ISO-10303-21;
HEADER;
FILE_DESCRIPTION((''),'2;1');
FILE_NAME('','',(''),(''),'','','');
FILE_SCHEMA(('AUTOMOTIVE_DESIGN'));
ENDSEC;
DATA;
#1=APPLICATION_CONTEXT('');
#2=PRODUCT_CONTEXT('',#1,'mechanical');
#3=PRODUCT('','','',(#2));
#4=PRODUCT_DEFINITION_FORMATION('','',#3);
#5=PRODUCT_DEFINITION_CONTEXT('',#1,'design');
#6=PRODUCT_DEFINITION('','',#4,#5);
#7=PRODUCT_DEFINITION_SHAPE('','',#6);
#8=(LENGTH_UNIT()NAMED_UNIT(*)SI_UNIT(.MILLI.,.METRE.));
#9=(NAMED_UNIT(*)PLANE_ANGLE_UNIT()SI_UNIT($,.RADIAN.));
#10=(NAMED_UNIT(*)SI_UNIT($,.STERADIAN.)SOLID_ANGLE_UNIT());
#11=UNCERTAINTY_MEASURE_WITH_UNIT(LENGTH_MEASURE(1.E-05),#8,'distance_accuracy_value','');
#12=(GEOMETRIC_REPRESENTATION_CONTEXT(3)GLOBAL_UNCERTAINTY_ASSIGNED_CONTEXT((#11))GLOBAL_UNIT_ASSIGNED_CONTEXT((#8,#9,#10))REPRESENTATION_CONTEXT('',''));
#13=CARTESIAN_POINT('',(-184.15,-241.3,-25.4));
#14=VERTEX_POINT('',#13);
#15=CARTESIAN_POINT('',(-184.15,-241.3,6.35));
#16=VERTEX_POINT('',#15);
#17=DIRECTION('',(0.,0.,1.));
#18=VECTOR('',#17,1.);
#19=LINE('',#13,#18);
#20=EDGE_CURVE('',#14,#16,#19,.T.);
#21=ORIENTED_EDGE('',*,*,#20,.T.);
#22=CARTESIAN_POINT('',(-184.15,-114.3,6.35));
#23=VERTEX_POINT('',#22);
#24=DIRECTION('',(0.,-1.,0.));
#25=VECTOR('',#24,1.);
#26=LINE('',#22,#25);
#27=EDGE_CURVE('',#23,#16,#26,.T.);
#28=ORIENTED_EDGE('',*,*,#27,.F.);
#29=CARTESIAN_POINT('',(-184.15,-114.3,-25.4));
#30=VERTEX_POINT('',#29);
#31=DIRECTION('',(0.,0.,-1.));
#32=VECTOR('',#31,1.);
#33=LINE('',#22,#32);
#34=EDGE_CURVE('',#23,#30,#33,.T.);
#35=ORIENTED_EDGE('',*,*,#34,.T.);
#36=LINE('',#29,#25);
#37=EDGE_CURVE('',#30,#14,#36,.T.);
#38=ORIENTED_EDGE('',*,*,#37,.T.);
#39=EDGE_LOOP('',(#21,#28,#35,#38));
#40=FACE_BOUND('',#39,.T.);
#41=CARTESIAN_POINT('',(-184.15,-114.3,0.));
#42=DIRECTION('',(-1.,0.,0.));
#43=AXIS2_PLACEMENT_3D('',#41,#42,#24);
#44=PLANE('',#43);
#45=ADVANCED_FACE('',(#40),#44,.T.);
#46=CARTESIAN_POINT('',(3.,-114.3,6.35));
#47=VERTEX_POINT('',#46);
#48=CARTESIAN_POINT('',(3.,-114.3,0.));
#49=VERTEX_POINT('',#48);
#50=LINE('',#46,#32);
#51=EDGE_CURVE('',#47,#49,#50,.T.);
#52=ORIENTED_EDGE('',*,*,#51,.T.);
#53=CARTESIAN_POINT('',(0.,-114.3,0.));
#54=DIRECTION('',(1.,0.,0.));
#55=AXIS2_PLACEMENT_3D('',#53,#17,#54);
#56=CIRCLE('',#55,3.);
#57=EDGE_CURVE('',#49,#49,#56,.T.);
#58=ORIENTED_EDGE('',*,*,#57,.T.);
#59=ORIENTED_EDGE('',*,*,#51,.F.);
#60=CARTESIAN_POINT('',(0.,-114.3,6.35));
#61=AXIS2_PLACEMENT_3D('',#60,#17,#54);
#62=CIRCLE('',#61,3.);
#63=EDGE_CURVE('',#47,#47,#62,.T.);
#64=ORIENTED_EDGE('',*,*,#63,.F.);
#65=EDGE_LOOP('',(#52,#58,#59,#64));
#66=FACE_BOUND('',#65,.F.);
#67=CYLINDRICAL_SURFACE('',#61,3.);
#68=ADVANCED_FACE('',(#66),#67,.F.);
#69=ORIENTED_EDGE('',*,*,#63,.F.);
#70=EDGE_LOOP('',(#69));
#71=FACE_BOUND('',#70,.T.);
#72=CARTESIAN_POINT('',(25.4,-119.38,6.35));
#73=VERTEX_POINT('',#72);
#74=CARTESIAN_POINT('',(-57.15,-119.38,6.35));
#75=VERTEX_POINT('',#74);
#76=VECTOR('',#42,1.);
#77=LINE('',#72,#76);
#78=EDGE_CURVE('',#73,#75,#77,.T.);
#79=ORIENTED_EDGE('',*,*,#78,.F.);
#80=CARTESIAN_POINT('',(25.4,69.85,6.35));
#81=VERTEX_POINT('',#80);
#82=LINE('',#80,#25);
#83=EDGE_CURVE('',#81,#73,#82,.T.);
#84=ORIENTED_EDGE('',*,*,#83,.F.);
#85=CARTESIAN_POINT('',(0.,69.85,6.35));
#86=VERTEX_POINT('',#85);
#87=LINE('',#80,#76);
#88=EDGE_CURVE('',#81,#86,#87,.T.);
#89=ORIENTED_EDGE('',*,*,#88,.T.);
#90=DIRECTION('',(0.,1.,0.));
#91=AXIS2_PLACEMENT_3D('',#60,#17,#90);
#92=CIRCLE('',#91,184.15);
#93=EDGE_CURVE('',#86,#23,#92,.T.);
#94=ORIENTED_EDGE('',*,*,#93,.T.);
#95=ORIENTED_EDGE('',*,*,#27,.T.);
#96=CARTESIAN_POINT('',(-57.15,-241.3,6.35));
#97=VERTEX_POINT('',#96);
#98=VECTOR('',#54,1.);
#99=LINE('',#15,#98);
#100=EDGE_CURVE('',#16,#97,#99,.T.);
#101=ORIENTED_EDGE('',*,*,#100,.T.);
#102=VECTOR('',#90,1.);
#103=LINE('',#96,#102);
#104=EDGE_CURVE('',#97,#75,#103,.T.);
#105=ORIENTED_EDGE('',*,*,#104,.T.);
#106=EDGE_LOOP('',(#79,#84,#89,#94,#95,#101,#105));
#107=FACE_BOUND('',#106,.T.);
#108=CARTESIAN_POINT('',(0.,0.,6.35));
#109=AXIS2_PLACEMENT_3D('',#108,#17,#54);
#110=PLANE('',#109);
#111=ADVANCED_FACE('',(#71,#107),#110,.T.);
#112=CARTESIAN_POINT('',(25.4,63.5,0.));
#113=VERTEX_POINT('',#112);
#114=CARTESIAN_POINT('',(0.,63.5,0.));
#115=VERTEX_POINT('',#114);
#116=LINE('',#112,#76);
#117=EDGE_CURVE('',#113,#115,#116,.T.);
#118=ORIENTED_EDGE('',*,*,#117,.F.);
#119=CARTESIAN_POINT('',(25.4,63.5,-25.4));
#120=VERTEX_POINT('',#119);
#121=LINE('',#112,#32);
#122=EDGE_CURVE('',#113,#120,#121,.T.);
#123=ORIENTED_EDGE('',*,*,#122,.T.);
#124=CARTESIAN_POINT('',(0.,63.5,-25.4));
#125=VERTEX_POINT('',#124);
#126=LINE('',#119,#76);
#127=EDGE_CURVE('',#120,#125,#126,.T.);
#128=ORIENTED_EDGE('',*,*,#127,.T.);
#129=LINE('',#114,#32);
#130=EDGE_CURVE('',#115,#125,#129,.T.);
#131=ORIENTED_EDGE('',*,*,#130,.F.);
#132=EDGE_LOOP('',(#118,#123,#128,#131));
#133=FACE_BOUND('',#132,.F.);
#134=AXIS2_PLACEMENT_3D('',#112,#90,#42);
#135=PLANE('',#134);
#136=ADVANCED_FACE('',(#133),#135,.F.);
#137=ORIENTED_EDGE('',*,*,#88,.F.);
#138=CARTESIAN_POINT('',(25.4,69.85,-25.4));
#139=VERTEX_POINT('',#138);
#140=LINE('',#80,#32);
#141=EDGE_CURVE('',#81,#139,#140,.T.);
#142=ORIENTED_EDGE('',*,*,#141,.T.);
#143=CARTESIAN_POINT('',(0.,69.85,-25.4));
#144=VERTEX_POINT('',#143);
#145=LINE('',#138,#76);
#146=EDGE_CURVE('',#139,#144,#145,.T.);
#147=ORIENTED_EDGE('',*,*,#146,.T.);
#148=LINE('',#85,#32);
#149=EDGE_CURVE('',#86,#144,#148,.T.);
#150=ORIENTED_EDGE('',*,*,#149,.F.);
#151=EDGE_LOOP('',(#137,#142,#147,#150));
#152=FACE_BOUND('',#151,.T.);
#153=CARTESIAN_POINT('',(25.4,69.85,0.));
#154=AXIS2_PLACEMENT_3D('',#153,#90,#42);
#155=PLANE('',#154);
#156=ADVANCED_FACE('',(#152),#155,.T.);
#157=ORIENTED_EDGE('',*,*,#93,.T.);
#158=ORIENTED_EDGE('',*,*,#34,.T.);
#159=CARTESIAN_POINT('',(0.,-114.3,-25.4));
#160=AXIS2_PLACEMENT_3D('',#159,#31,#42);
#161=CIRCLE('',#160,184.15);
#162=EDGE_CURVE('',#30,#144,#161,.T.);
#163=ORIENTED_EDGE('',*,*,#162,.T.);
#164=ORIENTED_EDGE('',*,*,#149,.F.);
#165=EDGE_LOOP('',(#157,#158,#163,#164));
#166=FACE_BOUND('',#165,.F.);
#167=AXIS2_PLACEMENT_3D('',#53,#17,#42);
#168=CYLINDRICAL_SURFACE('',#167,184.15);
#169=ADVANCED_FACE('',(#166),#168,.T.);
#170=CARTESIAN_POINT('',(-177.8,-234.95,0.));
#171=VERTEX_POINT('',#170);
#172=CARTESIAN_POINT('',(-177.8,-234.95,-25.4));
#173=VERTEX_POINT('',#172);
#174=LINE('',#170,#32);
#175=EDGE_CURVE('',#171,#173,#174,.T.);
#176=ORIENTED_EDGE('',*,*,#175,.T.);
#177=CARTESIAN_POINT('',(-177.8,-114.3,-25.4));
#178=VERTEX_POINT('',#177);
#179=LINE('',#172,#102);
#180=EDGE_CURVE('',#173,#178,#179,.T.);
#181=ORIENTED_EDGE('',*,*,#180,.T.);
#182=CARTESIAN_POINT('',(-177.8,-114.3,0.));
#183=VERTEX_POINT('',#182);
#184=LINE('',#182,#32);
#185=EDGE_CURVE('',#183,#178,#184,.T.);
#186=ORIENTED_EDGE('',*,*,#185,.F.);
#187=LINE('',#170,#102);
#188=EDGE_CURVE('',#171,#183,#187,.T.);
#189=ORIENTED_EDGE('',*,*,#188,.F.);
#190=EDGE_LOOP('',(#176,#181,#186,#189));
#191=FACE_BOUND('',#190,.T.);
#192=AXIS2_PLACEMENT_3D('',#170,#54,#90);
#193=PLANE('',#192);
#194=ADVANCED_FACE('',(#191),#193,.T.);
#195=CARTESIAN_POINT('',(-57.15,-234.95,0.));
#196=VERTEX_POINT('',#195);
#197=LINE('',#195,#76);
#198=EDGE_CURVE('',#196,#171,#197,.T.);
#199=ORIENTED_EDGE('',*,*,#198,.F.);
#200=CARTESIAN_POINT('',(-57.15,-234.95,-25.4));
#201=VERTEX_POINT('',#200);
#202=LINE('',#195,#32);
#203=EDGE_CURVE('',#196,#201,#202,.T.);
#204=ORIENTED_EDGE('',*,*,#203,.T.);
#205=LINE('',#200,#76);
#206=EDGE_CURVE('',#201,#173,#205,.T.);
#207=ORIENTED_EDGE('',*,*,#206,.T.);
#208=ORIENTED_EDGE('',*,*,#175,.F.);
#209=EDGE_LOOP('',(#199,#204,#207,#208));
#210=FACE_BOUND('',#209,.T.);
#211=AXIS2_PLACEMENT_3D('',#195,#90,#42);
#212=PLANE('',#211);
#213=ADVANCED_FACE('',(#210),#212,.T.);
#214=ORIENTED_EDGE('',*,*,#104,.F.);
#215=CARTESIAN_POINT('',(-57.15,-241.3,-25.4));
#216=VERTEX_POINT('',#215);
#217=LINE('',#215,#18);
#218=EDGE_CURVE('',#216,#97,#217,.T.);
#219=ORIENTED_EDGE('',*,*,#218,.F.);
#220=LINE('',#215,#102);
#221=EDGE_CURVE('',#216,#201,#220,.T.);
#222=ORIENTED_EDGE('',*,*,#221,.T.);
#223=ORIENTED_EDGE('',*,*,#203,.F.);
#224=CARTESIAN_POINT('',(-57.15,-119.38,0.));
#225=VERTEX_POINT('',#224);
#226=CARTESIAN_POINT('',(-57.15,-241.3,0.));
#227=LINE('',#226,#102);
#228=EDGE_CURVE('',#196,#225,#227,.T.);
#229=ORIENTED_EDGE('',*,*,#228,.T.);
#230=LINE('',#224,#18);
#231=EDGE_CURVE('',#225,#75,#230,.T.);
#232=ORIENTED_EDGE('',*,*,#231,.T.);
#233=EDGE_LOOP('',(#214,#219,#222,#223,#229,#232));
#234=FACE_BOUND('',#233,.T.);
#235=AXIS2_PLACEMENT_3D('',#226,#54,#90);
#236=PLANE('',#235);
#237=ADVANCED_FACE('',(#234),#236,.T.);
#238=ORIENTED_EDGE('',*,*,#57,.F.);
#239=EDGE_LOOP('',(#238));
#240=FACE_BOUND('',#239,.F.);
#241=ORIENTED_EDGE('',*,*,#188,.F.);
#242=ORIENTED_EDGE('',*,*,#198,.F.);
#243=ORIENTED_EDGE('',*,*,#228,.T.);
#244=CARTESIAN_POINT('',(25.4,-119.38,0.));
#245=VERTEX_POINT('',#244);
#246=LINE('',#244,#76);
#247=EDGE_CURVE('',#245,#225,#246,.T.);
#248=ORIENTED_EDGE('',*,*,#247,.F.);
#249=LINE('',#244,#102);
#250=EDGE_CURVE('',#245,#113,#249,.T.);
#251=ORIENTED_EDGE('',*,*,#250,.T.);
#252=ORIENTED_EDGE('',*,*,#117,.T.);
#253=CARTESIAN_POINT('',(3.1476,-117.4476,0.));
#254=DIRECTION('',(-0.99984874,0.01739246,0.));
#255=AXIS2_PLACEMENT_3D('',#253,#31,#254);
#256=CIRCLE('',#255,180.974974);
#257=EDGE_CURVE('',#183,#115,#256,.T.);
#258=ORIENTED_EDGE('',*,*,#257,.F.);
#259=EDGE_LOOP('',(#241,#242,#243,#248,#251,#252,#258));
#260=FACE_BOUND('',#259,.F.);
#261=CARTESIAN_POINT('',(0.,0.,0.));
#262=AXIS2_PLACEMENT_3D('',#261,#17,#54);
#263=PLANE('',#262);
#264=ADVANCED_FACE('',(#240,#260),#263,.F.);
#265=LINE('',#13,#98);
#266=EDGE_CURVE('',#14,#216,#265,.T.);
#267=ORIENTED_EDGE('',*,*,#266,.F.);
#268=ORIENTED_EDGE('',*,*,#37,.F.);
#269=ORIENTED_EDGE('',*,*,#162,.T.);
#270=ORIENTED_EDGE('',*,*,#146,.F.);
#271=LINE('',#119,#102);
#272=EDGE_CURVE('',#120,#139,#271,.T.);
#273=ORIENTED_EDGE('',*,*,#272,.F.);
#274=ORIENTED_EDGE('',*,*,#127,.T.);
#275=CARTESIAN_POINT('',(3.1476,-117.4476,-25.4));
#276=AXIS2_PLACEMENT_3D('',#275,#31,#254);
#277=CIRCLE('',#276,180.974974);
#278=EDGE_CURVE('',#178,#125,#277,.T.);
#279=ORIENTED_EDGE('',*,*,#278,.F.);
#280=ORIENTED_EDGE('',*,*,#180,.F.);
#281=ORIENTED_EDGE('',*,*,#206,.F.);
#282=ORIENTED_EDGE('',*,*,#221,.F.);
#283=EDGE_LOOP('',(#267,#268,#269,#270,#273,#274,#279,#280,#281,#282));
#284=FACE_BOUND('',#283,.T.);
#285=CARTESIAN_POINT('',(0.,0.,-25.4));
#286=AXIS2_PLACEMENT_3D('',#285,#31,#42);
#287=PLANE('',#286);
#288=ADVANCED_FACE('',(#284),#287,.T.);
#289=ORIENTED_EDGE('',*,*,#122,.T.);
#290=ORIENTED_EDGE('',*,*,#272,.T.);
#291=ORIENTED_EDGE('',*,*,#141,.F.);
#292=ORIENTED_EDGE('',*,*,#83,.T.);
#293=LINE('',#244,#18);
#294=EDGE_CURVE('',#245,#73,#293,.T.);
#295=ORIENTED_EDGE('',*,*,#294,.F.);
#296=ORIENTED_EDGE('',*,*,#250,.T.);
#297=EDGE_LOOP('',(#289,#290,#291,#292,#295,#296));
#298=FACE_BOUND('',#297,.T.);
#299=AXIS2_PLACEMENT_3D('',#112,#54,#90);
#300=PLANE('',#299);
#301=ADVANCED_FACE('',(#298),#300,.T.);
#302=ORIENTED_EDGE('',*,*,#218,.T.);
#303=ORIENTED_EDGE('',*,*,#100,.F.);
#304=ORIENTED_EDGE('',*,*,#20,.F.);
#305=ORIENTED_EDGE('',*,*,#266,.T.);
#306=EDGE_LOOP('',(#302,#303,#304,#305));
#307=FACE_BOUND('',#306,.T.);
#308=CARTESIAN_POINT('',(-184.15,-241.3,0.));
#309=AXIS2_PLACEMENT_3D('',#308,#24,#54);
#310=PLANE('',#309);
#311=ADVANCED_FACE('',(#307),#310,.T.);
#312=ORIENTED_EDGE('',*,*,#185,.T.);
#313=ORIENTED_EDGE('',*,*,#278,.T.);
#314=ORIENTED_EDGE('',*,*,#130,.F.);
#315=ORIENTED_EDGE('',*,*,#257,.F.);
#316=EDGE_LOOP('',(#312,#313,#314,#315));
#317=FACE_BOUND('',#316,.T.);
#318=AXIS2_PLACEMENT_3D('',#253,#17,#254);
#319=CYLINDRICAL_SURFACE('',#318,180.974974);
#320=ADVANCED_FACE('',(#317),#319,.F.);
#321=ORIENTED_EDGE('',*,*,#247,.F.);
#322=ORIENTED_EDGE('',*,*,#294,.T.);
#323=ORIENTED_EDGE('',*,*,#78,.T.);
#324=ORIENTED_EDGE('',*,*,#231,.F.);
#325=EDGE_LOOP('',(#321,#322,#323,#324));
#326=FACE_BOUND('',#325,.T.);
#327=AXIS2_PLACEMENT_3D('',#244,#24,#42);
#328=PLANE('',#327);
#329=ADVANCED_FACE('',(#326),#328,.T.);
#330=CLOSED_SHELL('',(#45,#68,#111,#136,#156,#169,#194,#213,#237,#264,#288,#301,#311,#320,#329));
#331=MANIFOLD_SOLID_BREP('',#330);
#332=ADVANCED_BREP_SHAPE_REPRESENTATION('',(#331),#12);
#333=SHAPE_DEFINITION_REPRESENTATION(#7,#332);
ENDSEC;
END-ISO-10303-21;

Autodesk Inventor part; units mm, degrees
ref_plane "YZ Plane" through (0, 0, 0) normal (1, 0, 0) x (0, 1, 0)
ref_plane "XZ Plane" through (0, 0, 0) normal (0, 1, 0) x (-1, 0, 0)
ref_plane "XY Plane" through (0, 0, 0) normal (0, 0, 1) x (1, 0, 0)
ref_plane "Work Plane1" through (0, 0, 0) normal (0, 0, 1) x (1, 0, 0)
sketch "Sketch1" plane through (0, 0, 0) normal (0, 0, 1) x (1, 0, 0)
  circle A0 centre (0, -114.3) radius 4 construction
  line L0 (0, -114.3) -> (-57.15, -114.3) construction
  line L1 (0, -114.3) -> (0, 63.5) construction
  line L2 (25.4, 69.85) -> (0, 69.85)
  arc A1 (0, 69.85) -> (-184.15, -114.3) centre (0, -114.3) ccw
  line L3 (25.4, 69.85) -> (25.4, -114.3)
  line L4 (-184.15, -114.3) -> (-184.15, -241.3)
  line L5 (-184.15, -241.3) -> (-57.15, -241.3)
  line L6 (-57.15, -241.3) -> (-57.15, -119.38)
  line L7 (-57.15, -114.3) -> (-177.8, -114.3) construction
  line L8 (25.4, -114.3) -> (25.4, -119.38)
  line L9 (25.4, -119.38) -> (-57.15, -119.38)
  circle A2 centre (0, -114.3) radius 4
  point P0 (0, 0)
  dimension "d1" = 90
  dimension "d4" = 25.4
  dimension "d5" = 184.15
  dimension "d6" = 127
  dimension "d7" = 127
  dimension "d16" = 5.08
extrude "Extrusion1" add sketch "Sketch1" along normal blind 6.35 contours L3 L8 L9 L6 L5 L4 A1 L2 | A2
sketch "Sketch2" plane through (0, 0, 0) normal (0, 0, -1) x (-1, 0, 0)
  arc A0 (184.15, -114.3) -> (0, 69.85) centre (0, -114.3) ccw projected
  line L0 (-25.4, 69.85) -> (0, 69.85) construction
  arc A1 (184.15, -114.3) -> (0, 69.85) centre (0, -114.3) ccw construction
  line L1 (-25.4, -119.38) -> (-25.4, 69.85) construction
  line L2 (0, 69.85) -> (-25.4, 69.85) construction
  line L3 (-25.4, 69.85) -> (-25.4, 63.5) construction
  line L4 (-25.4, 63.5) -> (0, 63.5)
  line L5 (0, 63.5) -> (-25.4, 63.5) construction
  line L6 (-25.4, 69.85) -> (0, 69.85) projected
  line L7 (-25.4, 63.5) -> (-25.4, 69.85)
  line L8 (-25.4, 69.85) -> (0, 69.85)
  arc A2 (177.8, -114.3) -> (0, 63.5) centre (-3.1476, -117.4476) ccw
  line L9 (184.15, -114.3) -> (184.15, -241.3) projected
  line L10 (184.15, -114.3) -> (184.15, -241.3)
  line L11 (184.15, -241.3) -> (57.15, -241.3) projected
  line L12 (184.15, -241.3) -> (57.15, -241.3)
  line L13 (57.15, -241.3) -> (57.15, -234.95)
  line L14 (57.15, -241.3) -> (57.15, -119.38) projected
  line L15 (57.15, -234.95) -> (177.8, -234.95)
  line L16 (177.8, -234.95) -> (177.8, -114.3)
  point P0 (0, 0)
  point P1 (-25.4, -114.3)
  point P2 (57.15, -114.3)
  dimension "d10" = 6.35
  dimension "d11" = 6.35
  dimension "d12" = 180.975
  dimension "d13" = 6.35
extrude "Extrusion2" add sketch "Sketch2" along normal blind 25.4
sketch "Sketch3" plane through (0, 0, 6.35) normal (0, 0, 1) x (1, 0, 0)
  arc A0 (-2.982, -113.9716) -> (-0.8571, -111.4251) centre (0, -114.3) ccw construction
  circle A1 centre (0, -114.3) radius 3
  point P0 (0, 0)
extrude "Extrusion3" cut sketch "Sketch3" against normal through all
properties part number "Ring Shooter guide"
